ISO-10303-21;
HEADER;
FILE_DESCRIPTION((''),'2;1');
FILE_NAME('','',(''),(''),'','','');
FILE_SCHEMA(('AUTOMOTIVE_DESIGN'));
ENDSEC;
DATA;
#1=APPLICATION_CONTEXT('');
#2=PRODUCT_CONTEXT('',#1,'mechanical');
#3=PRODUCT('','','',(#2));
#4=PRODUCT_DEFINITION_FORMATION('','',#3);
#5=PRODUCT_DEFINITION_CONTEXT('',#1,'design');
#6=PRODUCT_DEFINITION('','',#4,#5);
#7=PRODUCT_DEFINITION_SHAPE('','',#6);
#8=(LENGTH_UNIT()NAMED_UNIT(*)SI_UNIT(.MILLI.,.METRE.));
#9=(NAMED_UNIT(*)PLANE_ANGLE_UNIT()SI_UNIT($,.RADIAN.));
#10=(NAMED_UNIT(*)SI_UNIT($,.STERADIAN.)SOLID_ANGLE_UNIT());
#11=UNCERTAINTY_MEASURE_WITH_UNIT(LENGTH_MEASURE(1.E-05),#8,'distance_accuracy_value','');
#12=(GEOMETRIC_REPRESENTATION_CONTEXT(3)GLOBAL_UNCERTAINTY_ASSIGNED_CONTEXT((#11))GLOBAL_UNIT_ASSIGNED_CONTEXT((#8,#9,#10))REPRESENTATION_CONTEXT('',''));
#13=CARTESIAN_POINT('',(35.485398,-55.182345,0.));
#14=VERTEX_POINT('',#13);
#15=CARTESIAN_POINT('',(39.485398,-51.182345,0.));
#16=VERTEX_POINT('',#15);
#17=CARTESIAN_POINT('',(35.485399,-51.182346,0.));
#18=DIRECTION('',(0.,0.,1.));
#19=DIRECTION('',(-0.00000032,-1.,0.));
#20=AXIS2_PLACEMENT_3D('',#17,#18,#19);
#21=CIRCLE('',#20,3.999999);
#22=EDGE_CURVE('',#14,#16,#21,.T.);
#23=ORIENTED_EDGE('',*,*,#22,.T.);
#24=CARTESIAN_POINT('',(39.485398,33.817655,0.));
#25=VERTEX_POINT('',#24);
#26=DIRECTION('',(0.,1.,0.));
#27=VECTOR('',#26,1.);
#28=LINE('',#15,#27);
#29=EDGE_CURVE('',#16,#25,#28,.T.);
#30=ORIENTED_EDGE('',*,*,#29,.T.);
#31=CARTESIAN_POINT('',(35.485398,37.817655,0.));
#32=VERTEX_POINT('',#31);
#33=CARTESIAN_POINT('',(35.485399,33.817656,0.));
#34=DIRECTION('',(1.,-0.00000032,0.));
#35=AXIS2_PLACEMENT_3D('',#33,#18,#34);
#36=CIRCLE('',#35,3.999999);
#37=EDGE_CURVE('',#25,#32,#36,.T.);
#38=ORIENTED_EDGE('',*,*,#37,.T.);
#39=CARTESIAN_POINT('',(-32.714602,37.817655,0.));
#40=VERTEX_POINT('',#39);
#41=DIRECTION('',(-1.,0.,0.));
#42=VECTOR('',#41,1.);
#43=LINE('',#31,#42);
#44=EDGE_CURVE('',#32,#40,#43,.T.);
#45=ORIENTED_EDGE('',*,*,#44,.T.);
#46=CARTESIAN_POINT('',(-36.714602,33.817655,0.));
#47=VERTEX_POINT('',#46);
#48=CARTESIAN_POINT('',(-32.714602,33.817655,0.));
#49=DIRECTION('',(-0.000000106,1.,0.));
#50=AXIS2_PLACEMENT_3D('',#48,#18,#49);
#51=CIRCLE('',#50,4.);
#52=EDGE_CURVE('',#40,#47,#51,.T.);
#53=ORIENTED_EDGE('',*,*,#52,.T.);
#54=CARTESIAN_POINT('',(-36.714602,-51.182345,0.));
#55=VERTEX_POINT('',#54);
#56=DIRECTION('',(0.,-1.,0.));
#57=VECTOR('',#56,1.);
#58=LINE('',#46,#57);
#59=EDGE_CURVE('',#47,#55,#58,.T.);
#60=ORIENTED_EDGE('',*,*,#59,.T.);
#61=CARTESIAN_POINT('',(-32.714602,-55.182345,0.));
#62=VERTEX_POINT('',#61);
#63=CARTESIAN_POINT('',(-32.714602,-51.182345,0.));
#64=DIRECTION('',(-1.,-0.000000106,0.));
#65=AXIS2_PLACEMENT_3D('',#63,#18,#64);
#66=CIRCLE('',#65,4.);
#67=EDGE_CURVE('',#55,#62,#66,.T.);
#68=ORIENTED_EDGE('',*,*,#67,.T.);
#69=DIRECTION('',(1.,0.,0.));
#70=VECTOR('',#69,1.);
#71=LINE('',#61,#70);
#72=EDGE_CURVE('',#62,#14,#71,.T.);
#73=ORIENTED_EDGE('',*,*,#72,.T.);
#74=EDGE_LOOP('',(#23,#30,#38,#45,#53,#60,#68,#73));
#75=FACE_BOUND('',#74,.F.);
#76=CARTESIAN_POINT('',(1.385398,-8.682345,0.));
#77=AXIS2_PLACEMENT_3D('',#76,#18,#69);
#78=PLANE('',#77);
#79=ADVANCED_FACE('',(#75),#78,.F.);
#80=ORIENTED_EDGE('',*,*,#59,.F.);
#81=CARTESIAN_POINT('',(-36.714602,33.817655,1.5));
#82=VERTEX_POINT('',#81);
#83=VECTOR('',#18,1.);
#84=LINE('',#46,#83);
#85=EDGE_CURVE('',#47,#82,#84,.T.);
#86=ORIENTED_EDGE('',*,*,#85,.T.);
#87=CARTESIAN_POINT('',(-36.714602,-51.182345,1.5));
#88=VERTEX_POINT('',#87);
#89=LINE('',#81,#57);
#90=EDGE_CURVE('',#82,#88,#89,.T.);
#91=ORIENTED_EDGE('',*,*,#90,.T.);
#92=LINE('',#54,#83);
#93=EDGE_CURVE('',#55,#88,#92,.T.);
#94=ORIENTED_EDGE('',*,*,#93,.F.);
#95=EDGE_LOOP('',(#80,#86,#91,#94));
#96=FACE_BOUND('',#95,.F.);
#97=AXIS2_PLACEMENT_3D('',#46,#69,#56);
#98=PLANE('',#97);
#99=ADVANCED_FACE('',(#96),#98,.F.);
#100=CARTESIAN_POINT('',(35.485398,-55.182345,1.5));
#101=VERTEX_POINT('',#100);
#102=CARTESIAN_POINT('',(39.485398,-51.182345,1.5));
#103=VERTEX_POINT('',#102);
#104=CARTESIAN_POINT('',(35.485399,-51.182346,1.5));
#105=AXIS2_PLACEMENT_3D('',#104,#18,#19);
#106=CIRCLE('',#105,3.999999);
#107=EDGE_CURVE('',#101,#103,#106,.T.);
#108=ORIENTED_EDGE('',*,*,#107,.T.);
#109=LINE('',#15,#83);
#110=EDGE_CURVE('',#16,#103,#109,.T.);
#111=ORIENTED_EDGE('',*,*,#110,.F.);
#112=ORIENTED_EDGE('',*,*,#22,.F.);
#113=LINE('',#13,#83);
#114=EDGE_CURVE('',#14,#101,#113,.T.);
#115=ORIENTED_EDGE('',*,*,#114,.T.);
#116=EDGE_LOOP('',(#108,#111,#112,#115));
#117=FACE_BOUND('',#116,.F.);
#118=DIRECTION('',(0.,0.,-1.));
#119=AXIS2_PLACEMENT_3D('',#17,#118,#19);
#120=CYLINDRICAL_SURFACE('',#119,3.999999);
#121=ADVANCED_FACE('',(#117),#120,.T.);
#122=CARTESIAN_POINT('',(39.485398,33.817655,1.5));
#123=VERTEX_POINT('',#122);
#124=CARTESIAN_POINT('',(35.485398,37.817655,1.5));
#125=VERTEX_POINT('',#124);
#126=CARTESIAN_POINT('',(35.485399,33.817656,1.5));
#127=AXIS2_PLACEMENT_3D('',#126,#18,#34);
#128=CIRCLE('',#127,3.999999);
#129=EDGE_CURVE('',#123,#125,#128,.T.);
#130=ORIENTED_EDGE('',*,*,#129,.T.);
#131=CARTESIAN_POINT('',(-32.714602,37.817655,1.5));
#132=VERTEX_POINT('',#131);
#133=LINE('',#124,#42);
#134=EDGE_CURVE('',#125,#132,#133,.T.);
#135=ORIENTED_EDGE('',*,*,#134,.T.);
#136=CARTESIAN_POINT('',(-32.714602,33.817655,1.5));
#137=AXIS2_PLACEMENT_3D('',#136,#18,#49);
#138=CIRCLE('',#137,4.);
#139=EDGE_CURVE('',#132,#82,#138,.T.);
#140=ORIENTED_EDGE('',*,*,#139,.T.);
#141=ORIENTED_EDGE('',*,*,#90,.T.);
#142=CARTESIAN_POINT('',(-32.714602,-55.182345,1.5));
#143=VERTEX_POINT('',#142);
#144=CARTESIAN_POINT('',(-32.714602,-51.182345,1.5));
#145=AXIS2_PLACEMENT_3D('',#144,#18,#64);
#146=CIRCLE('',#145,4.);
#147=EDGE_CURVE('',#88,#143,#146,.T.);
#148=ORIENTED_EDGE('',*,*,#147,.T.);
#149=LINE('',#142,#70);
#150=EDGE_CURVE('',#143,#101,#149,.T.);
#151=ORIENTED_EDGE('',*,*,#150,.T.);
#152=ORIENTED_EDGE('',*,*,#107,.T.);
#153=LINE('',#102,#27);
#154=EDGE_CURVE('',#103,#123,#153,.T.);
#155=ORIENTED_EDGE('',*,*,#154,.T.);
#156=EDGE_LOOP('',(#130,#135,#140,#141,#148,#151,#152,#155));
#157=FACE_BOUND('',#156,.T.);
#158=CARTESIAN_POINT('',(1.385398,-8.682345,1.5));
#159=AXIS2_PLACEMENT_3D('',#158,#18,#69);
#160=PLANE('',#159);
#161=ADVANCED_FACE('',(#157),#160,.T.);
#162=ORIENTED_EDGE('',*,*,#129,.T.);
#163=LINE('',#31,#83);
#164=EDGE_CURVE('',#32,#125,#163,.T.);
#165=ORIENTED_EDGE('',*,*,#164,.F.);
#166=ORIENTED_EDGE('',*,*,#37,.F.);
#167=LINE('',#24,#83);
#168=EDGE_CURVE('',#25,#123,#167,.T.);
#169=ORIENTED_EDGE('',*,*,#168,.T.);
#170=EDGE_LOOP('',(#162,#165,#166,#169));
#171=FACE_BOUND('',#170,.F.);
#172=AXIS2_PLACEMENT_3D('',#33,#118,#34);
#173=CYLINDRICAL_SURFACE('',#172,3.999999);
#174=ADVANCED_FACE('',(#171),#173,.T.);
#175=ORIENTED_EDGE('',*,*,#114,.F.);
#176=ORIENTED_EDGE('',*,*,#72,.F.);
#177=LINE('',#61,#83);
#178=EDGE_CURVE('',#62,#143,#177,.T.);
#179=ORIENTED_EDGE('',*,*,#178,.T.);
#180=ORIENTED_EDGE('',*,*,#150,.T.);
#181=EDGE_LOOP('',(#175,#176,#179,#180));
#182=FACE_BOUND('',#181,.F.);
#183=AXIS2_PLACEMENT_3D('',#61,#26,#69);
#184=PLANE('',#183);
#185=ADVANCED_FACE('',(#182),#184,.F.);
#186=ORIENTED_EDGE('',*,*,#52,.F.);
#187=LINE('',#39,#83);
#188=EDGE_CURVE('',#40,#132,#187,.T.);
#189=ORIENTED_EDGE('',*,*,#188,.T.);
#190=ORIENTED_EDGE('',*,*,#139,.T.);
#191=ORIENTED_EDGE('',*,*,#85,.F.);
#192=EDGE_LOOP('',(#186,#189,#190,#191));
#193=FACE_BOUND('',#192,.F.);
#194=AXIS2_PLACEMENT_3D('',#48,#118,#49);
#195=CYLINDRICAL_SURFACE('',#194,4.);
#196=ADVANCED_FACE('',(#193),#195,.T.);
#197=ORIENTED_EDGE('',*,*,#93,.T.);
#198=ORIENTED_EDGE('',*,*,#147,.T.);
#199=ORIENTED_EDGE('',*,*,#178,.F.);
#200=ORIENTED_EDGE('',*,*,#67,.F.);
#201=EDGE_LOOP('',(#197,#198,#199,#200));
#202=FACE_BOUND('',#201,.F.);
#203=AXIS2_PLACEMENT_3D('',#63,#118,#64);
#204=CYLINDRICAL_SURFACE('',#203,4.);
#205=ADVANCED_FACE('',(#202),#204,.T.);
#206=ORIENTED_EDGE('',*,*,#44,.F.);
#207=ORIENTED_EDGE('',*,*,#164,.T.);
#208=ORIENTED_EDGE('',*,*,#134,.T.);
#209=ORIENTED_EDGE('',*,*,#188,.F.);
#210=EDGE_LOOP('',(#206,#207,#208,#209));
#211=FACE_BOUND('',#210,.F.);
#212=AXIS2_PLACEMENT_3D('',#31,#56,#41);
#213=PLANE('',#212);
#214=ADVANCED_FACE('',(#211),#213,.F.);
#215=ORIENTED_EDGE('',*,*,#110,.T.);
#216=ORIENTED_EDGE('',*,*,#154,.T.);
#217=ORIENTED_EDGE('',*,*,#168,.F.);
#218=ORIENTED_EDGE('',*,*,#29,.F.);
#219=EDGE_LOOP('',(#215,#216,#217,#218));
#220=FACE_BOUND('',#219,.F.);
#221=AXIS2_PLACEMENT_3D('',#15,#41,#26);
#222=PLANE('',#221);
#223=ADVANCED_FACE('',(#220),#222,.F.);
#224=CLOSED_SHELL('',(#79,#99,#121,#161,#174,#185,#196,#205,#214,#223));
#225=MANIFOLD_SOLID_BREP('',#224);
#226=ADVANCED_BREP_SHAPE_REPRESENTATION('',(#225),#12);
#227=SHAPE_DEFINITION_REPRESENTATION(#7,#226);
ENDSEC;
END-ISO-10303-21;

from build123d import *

# Parameters (mm, degrees)
F0_W     = 71.2
F0_H     = 88
F1_DEPTH = 1.5


with BuildPart() as f1:
    # F0 (on Top) → F1 (new body)
    with BuildSketch(Plane.XY):
        with BuildLine():
            Line((35.485398, 37.817655), (-32.714602, 37.817655))
            ThreePointArc((-32.714602, 37.817655), (-35.543029, 36.646082), (-36.714602, 33.817655))
            Line((-36.714602, 33.817655), (-36.714602, -51.182345))
            ThreePointArc((-36.714602, -51.182345), (-35.543029, -54.010772), (-32.714602, -55.182345))
            Line((-32.714602, -55.182345), (35.485398, -55.182345))
            ThreePointArc((35.485398, -55.182345), (38.313826, -54.010772), (39.485398, -51.182345))
            Line((39.485398, -51.182345), (39.485398, 33.817655))
            ThreePointArc((39.485398, 33.817655), (38.313826, 36.646082), (35.485398, 37.817655))
        make_face()
        with Locations((1.385398, -8.682345)):
            Rectangle(F0_W, F0_H, mode=Mode.SUBTRACT)
        with Locations((1.385398, -8.682345)):
            Rectangle(F0_W, F0_H)
    extrude(amount=F1_DEPTH)


solid = f1.part
